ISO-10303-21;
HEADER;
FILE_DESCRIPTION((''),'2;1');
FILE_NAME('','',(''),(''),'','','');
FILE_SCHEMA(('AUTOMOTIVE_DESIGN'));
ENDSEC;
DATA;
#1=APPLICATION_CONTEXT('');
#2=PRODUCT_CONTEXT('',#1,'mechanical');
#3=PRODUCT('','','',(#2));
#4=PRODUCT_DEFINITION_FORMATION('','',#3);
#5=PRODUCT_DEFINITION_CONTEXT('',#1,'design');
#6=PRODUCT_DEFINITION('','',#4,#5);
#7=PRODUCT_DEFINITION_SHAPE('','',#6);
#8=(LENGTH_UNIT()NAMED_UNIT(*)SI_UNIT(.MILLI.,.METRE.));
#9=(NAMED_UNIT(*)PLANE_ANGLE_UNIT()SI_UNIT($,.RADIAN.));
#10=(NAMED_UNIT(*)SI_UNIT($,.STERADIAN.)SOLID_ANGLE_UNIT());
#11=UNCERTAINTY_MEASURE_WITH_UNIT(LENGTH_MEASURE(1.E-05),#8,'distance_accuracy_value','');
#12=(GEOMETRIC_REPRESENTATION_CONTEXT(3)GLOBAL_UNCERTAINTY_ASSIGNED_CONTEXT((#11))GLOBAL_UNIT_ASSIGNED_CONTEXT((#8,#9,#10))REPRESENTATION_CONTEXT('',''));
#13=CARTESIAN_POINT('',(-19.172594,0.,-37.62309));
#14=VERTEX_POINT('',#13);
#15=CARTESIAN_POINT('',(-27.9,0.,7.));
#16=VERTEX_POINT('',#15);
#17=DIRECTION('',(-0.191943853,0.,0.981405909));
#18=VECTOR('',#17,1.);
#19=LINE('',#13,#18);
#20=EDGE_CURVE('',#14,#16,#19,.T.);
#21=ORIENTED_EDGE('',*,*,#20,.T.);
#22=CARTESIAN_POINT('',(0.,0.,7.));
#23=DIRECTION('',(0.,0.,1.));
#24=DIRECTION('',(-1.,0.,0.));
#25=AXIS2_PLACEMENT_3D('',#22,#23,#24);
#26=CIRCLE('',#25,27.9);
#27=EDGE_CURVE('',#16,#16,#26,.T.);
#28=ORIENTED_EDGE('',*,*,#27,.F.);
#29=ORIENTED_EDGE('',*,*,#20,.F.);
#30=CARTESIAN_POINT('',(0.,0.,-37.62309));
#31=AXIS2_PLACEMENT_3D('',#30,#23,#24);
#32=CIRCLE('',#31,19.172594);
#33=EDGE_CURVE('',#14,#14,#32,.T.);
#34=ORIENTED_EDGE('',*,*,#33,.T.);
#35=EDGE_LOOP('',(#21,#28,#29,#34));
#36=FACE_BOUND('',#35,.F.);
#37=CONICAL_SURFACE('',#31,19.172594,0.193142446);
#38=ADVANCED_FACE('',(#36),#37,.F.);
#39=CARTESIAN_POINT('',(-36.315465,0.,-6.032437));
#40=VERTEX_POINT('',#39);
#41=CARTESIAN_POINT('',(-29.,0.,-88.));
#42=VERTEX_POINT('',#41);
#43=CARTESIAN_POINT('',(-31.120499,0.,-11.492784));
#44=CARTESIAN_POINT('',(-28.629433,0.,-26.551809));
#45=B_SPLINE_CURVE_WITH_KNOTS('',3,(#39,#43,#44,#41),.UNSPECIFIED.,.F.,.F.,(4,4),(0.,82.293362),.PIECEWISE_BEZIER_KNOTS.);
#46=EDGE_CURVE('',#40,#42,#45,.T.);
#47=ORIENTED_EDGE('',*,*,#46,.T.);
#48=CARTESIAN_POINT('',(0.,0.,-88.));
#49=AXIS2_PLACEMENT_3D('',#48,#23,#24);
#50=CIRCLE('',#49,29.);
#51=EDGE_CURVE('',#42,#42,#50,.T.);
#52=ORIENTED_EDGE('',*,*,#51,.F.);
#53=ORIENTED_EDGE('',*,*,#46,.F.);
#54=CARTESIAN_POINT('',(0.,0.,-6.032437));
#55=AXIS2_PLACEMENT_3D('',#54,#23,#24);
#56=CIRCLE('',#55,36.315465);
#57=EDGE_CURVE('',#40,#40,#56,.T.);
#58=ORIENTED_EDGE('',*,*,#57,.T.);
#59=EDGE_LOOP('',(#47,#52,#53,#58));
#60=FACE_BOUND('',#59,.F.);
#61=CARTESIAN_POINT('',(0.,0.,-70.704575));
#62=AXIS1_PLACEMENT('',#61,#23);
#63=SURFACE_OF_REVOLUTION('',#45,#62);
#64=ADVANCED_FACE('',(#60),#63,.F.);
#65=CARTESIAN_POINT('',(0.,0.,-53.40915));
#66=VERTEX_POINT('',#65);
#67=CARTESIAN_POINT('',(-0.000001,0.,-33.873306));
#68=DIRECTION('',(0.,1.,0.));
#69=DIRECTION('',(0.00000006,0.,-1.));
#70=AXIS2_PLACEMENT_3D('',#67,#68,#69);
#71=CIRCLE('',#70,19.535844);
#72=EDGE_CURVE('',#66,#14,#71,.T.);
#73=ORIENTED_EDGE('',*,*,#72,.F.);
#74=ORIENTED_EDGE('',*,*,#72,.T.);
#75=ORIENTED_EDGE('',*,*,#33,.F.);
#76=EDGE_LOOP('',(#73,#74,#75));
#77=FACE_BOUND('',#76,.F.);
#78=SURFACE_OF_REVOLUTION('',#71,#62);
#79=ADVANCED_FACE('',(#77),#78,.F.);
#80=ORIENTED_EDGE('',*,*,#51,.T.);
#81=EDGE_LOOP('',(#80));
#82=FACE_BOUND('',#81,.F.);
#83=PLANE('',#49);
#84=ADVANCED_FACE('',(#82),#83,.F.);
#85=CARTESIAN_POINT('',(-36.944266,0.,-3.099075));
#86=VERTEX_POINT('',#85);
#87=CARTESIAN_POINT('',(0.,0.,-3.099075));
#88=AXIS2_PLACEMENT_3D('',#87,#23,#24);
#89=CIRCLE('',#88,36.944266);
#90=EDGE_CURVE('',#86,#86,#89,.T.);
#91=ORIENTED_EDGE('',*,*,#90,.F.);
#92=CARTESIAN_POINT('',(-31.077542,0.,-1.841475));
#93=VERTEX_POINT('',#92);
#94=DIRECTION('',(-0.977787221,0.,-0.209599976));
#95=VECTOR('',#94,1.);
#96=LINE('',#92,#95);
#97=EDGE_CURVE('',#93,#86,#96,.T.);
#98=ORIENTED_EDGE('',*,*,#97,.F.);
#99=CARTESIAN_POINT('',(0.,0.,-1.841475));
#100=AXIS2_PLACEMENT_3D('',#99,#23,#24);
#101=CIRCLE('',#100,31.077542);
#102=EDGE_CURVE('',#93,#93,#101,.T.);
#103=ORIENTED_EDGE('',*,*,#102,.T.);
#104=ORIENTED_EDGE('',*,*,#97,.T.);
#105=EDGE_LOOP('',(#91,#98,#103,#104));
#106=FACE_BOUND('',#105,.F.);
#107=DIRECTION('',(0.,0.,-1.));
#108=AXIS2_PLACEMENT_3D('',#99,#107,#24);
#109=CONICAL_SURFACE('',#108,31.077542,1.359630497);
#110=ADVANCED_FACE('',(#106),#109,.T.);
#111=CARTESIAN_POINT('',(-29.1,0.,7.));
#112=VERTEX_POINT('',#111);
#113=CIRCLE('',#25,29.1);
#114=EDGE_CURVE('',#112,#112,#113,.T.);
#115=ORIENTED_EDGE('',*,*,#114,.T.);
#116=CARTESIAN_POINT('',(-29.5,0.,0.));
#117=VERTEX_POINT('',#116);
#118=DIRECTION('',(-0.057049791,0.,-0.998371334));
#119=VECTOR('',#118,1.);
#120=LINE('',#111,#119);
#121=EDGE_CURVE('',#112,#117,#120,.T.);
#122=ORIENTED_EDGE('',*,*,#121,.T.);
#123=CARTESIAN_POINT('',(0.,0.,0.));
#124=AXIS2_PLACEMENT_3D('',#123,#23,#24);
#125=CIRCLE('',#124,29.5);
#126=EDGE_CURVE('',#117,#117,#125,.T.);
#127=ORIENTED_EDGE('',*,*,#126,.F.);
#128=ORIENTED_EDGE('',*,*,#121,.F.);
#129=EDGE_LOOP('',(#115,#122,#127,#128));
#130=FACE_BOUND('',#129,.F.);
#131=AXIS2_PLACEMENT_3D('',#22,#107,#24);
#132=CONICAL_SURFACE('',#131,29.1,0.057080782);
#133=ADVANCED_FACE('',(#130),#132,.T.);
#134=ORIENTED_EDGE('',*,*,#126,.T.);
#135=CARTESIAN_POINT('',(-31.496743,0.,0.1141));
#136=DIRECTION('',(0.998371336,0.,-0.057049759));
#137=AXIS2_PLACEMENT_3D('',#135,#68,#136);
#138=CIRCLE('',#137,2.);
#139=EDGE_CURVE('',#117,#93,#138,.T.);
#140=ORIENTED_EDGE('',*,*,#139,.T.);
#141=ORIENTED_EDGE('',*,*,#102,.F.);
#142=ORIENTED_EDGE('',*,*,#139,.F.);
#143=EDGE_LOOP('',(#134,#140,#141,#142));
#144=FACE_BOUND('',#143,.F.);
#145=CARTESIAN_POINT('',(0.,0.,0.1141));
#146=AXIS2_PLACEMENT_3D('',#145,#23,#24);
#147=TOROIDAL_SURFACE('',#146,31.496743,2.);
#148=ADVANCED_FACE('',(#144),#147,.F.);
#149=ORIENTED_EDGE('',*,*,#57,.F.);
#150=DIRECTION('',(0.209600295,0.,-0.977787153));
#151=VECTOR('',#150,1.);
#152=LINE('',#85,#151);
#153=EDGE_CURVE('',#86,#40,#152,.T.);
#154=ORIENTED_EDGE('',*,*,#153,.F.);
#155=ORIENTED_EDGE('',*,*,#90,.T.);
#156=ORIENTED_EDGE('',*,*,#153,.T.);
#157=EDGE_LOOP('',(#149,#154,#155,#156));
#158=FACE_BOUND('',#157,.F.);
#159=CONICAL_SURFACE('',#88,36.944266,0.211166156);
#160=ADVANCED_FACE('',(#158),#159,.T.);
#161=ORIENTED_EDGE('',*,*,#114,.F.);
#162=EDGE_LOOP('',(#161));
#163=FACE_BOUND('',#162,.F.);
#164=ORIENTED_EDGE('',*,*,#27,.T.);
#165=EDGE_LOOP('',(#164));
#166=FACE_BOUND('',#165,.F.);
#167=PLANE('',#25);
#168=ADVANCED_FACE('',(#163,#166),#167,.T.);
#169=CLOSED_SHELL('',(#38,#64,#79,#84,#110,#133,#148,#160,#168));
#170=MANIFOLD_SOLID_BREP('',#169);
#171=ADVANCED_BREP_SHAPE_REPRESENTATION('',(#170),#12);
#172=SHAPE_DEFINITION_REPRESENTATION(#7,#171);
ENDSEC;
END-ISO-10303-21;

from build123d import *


with BuildPart() as f1:
    # F0 (on Front) → F1 (revolve)
    with BuildSketch(Plane.XZ):
        with BuildLine():
            Line((-27.9, 7), (-29.1, 7))
            Line((-29.1, 7), (-29.5, 0))
            ThreePointArc((-29.5, 0), (-29.977877, -1.187072), (-31.077542, -1.841475))
            Line((-31.077542, -1.841475), (-36.944266, -3.099075))
            Line((-36.944266, -3.099075), (-36.315465, -6.032437))
            add(Edge.make_bspline(
                [(-36.315465, -6.032437), (-31.120499, -11.492784), (-28.629433, -26.551809), (-29, -88)],
                knots=[0, 0, 0, 0, 82.293362, 82.293362, 82.293362, 82.293362], degree=3))
            Line((-29, -88), (0, -88))
            Line((0, -88), (0, -53.40915))
            ThreePointArc((0, -53.40915), (-12.417609, -48.954825), (-19.172594, -37.62309))
            Line((-19.172594, -37.62309), (-27.9, 7))
        make_face()
    revolve(axis=Axis((0, 0, -70.704575), (0, 0, 1)))


solid = f1.part
